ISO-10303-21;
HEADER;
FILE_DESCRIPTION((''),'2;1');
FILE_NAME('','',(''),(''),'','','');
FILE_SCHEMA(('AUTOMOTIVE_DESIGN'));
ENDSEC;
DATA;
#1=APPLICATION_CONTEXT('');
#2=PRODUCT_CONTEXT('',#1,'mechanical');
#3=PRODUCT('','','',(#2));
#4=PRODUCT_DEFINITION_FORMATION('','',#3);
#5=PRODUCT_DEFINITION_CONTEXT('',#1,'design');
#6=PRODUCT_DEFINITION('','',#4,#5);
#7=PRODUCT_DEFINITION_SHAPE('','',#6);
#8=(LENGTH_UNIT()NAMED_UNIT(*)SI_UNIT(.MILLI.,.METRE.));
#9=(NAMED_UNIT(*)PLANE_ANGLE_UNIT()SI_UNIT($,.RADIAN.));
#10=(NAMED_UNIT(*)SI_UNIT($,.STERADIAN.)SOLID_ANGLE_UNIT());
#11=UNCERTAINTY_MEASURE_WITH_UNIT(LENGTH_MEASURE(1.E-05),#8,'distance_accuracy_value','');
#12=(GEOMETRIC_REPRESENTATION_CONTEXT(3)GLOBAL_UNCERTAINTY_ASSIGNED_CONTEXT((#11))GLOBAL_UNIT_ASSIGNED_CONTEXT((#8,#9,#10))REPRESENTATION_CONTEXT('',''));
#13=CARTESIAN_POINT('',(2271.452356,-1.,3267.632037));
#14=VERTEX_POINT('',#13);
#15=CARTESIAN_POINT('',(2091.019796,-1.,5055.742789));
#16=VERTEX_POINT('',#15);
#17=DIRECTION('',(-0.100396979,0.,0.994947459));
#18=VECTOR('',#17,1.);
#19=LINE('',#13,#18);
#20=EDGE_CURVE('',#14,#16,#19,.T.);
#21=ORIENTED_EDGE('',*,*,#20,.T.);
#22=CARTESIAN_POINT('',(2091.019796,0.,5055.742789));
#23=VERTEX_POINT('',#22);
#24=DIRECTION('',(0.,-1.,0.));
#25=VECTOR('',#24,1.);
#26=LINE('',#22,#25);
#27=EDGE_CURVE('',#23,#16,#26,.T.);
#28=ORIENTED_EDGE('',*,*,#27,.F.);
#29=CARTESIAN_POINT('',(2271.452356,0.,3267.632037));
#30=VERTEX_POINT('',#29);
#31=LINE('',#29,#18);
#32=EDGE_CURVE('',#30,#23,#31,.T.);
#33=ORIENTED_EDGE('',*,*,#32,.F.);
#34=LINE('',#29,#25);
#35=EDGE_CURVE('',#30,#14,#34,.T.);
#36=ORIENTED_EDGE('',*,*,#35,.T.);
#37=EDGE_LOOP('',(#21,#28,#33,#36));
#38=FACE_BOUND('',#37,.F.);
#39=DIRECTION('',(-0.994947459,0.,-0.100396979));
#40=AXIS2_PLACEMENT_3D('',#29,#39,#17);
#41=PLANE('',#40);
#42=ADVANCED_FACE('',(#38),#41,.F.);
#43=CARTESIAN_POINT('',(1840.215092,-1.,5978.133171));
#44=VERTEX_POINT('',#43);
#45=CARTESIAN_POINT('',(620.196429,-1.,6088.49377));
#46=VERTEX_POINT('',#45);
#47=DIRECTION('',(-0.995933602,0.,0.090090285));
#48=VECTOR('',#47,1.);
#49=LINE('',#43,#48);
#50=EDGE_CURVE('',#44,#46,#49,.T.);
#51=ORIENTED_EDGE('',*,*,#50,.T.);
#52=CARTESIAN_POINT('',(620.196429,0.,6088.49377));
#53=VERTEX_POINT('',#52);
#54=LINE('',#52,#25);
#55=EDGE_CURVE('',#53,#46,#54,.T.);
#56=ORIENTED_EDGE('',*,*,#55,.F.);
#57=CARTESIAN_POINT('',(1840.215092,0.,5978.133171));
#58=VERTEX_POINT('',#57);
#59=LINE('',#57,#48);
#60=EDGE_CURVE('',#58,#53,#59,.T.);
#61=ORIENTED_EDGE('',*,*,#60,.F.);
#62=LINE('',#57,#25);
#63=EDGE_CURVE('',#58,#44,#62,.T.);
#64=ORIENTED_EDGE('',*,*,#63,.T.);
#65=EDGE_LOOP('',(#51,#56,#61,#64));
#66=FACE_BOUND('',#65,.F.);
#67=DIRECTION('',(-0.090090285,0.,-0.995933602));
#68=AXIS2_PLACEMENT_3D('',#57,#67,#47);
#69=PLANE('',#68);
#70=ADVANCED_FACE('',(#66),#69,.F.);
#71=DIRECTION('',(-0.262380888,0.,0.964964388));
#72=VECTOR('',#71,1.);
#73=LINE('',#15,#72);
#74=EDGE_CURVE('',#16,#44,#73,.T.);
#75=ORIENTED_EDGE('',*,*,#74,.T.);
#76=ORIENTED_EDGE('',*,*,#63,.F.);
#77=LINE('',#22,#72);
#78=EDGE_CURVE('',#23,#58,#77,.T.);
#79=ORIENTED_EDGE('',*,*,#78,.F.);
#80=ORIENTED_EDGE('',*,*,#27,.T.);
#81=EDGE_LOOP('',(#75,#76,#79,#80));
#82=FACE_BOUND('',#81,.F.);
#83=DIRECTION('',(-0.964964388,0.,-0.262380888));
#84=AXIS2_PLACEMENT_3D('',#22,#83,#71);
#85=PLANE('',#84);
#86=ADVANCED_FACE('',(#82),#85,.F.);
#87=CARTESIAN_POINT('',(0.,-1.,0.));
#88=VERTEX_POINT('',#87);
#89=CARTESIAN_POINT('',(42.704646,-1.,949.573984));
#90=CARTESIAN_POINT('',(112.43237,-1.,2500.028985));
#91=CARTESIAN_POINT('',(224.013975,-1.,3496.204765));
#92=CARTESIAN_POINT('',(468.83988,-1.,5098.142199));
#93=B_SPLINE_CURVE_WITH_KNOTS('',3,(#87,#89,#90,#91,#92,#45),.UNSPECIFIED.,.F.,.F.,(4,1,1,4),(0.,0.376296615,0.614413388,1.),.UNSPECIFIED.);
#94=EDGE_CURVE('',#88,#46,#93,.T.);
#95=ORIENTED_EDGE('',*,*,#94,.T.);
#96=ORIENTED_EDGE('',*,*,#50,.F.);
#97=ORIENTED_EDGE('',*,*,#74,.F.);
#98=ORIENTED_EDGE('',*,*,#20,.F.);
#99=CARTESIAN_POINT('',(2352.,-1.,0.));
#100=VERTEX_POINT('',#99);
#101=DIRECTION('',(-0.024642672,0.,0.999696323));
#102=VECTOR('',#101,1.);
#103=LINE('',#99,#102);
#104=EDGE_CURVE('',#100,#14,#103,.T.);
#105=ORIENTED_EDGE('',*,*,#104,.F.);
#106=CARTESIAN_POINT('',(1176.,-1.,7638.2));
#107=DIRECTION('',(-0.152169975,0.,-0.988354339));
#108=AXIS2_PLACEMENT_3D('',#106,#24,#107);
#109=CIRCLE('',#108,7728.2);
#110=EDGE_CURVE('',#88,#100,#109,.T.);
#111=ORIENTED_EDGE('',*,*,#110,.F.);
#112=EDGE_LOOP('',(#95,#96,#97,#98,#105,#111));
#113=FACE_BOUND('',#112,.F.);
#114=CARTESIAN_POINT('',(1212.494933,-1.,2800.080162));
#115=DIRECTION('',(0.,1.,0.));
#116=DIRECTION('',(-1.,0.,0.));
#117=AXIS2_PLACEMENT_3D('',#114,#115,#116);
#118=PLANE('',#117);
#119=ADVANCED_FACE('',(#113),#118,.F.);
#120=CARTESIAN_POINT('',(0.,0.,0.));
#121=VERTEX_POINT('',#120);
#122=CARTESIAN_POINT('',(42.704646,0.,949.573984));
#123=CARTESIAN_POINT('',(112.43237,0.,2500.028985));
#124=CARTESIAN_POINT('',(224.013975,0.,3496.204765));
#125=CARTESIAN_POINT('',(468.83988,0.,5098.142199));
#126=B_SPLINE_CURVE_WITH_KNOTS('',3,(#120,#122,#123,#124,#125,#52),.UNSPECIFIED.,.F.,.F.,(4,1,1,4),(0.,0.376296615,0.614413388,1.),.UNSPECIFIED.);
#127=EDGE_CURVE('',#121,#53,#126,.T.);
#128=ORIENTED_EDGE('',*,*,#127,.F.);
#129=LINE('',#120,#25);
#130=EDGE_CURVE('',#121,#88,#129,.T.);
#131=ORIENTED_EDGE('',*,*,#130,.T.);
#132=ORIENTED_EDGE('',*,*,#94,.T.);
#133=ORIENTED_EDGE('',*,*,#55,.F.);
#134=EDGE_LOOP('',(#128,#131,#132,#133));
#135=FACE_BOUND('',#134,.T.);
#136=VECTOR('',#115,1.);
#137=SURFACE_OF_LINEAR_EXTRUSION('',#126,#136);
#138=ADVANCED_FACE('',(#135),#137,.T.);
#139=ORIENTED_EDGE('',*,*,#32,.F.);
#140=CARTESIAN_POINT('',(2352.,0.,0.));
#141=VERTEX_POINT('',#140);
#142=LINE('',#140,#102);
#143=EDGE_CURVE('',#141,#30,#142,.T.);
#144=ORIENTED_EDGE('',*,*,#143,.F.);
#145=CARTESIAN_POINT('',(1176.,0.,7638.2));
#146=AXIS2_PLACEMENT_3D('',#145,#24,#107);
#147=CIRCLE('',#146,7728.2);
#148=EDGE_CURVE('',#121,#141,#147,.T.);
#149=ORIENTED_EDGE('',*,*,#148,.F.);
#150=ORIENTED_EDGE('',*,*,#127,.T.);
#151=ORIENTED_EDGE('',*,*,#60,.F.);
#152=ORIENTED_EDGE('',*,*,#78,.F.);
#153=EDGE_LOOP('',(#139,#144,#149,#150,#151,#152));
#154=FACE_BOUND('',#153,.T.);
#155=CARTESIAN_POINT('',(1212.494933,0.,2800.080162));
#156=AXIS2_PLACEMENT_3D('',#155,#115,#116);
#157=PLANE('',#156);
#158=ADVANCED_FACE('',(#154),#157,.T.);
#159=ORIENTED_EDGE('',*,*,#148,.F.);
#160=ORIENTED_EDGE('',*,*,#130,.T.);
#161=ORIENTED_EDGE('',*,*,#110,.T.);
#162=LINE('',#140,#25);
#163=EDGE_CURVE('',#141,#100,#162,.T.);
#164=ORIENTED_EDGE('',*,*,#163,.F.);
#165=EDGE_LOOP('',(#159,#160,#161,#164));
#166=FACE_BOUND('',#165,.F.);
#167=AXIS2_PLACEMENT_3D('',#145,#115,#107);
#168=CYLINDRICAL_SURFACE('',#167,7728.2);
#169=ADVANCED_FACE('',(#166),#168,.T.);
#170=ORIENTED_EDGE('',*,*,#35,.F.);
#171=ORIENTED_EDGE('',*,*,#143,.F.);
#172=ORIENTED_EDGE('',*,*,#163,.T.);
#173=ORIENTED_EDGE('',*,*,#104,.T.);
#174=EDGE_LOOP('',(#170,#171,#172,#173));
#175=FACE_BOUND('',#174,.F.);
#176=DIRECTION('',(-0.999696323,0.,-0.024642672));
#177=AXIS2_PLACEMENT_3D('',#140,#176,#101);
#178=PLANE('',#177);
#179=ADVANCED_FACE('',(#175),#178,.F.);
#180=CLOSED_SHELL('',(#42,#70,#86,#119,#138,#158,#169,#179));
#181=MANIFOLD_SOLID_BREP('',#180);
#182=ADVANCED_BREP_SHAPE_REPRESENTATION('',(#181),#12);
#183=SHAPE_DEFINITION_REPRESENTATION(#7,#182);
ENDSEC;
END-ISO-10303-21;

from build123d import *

# Parameters (mm, degrees)
F3_DEPTH = 1


with BuildPart() as f3:
    # F2 (on face) → F3 (new body)
    with BuildSketch(Plane.XZ):
        with BuildLine():
            add(Edge.make_bspline(
                [(0, 0), (42.7046461039, 949.5739841818), (112.432369512, 2500.0289853407), (224.0139745837, 3496.2047652429), (468.8398802864, 5098.1421986098), (620.1964285714, 6088.4937702183)],
                knots=[0, 0, 0, 0, 0.3762966151, 0.6144133881, 1, 1, 1, 1], degree=3))
            ThreePointArc((0, 0), (1176, -90), (2352, 0))
            Line((2352, 0), (2271.4523559318, 3267.6320372779))
            Line((2271.4523559318, 3267.6320372779), (2091.0197957494, 5055.7427885473))
            Line((2091.0197957494, 5055.7427885473), (1840.2150915805, 5978.1331707745))
            Line((1840.2150915805, 5978.1331707745), (620.1964285714, 6088.4937702183))
        make_face()
    extrude(amount=F3_DEPTH)


solid = f3.part
